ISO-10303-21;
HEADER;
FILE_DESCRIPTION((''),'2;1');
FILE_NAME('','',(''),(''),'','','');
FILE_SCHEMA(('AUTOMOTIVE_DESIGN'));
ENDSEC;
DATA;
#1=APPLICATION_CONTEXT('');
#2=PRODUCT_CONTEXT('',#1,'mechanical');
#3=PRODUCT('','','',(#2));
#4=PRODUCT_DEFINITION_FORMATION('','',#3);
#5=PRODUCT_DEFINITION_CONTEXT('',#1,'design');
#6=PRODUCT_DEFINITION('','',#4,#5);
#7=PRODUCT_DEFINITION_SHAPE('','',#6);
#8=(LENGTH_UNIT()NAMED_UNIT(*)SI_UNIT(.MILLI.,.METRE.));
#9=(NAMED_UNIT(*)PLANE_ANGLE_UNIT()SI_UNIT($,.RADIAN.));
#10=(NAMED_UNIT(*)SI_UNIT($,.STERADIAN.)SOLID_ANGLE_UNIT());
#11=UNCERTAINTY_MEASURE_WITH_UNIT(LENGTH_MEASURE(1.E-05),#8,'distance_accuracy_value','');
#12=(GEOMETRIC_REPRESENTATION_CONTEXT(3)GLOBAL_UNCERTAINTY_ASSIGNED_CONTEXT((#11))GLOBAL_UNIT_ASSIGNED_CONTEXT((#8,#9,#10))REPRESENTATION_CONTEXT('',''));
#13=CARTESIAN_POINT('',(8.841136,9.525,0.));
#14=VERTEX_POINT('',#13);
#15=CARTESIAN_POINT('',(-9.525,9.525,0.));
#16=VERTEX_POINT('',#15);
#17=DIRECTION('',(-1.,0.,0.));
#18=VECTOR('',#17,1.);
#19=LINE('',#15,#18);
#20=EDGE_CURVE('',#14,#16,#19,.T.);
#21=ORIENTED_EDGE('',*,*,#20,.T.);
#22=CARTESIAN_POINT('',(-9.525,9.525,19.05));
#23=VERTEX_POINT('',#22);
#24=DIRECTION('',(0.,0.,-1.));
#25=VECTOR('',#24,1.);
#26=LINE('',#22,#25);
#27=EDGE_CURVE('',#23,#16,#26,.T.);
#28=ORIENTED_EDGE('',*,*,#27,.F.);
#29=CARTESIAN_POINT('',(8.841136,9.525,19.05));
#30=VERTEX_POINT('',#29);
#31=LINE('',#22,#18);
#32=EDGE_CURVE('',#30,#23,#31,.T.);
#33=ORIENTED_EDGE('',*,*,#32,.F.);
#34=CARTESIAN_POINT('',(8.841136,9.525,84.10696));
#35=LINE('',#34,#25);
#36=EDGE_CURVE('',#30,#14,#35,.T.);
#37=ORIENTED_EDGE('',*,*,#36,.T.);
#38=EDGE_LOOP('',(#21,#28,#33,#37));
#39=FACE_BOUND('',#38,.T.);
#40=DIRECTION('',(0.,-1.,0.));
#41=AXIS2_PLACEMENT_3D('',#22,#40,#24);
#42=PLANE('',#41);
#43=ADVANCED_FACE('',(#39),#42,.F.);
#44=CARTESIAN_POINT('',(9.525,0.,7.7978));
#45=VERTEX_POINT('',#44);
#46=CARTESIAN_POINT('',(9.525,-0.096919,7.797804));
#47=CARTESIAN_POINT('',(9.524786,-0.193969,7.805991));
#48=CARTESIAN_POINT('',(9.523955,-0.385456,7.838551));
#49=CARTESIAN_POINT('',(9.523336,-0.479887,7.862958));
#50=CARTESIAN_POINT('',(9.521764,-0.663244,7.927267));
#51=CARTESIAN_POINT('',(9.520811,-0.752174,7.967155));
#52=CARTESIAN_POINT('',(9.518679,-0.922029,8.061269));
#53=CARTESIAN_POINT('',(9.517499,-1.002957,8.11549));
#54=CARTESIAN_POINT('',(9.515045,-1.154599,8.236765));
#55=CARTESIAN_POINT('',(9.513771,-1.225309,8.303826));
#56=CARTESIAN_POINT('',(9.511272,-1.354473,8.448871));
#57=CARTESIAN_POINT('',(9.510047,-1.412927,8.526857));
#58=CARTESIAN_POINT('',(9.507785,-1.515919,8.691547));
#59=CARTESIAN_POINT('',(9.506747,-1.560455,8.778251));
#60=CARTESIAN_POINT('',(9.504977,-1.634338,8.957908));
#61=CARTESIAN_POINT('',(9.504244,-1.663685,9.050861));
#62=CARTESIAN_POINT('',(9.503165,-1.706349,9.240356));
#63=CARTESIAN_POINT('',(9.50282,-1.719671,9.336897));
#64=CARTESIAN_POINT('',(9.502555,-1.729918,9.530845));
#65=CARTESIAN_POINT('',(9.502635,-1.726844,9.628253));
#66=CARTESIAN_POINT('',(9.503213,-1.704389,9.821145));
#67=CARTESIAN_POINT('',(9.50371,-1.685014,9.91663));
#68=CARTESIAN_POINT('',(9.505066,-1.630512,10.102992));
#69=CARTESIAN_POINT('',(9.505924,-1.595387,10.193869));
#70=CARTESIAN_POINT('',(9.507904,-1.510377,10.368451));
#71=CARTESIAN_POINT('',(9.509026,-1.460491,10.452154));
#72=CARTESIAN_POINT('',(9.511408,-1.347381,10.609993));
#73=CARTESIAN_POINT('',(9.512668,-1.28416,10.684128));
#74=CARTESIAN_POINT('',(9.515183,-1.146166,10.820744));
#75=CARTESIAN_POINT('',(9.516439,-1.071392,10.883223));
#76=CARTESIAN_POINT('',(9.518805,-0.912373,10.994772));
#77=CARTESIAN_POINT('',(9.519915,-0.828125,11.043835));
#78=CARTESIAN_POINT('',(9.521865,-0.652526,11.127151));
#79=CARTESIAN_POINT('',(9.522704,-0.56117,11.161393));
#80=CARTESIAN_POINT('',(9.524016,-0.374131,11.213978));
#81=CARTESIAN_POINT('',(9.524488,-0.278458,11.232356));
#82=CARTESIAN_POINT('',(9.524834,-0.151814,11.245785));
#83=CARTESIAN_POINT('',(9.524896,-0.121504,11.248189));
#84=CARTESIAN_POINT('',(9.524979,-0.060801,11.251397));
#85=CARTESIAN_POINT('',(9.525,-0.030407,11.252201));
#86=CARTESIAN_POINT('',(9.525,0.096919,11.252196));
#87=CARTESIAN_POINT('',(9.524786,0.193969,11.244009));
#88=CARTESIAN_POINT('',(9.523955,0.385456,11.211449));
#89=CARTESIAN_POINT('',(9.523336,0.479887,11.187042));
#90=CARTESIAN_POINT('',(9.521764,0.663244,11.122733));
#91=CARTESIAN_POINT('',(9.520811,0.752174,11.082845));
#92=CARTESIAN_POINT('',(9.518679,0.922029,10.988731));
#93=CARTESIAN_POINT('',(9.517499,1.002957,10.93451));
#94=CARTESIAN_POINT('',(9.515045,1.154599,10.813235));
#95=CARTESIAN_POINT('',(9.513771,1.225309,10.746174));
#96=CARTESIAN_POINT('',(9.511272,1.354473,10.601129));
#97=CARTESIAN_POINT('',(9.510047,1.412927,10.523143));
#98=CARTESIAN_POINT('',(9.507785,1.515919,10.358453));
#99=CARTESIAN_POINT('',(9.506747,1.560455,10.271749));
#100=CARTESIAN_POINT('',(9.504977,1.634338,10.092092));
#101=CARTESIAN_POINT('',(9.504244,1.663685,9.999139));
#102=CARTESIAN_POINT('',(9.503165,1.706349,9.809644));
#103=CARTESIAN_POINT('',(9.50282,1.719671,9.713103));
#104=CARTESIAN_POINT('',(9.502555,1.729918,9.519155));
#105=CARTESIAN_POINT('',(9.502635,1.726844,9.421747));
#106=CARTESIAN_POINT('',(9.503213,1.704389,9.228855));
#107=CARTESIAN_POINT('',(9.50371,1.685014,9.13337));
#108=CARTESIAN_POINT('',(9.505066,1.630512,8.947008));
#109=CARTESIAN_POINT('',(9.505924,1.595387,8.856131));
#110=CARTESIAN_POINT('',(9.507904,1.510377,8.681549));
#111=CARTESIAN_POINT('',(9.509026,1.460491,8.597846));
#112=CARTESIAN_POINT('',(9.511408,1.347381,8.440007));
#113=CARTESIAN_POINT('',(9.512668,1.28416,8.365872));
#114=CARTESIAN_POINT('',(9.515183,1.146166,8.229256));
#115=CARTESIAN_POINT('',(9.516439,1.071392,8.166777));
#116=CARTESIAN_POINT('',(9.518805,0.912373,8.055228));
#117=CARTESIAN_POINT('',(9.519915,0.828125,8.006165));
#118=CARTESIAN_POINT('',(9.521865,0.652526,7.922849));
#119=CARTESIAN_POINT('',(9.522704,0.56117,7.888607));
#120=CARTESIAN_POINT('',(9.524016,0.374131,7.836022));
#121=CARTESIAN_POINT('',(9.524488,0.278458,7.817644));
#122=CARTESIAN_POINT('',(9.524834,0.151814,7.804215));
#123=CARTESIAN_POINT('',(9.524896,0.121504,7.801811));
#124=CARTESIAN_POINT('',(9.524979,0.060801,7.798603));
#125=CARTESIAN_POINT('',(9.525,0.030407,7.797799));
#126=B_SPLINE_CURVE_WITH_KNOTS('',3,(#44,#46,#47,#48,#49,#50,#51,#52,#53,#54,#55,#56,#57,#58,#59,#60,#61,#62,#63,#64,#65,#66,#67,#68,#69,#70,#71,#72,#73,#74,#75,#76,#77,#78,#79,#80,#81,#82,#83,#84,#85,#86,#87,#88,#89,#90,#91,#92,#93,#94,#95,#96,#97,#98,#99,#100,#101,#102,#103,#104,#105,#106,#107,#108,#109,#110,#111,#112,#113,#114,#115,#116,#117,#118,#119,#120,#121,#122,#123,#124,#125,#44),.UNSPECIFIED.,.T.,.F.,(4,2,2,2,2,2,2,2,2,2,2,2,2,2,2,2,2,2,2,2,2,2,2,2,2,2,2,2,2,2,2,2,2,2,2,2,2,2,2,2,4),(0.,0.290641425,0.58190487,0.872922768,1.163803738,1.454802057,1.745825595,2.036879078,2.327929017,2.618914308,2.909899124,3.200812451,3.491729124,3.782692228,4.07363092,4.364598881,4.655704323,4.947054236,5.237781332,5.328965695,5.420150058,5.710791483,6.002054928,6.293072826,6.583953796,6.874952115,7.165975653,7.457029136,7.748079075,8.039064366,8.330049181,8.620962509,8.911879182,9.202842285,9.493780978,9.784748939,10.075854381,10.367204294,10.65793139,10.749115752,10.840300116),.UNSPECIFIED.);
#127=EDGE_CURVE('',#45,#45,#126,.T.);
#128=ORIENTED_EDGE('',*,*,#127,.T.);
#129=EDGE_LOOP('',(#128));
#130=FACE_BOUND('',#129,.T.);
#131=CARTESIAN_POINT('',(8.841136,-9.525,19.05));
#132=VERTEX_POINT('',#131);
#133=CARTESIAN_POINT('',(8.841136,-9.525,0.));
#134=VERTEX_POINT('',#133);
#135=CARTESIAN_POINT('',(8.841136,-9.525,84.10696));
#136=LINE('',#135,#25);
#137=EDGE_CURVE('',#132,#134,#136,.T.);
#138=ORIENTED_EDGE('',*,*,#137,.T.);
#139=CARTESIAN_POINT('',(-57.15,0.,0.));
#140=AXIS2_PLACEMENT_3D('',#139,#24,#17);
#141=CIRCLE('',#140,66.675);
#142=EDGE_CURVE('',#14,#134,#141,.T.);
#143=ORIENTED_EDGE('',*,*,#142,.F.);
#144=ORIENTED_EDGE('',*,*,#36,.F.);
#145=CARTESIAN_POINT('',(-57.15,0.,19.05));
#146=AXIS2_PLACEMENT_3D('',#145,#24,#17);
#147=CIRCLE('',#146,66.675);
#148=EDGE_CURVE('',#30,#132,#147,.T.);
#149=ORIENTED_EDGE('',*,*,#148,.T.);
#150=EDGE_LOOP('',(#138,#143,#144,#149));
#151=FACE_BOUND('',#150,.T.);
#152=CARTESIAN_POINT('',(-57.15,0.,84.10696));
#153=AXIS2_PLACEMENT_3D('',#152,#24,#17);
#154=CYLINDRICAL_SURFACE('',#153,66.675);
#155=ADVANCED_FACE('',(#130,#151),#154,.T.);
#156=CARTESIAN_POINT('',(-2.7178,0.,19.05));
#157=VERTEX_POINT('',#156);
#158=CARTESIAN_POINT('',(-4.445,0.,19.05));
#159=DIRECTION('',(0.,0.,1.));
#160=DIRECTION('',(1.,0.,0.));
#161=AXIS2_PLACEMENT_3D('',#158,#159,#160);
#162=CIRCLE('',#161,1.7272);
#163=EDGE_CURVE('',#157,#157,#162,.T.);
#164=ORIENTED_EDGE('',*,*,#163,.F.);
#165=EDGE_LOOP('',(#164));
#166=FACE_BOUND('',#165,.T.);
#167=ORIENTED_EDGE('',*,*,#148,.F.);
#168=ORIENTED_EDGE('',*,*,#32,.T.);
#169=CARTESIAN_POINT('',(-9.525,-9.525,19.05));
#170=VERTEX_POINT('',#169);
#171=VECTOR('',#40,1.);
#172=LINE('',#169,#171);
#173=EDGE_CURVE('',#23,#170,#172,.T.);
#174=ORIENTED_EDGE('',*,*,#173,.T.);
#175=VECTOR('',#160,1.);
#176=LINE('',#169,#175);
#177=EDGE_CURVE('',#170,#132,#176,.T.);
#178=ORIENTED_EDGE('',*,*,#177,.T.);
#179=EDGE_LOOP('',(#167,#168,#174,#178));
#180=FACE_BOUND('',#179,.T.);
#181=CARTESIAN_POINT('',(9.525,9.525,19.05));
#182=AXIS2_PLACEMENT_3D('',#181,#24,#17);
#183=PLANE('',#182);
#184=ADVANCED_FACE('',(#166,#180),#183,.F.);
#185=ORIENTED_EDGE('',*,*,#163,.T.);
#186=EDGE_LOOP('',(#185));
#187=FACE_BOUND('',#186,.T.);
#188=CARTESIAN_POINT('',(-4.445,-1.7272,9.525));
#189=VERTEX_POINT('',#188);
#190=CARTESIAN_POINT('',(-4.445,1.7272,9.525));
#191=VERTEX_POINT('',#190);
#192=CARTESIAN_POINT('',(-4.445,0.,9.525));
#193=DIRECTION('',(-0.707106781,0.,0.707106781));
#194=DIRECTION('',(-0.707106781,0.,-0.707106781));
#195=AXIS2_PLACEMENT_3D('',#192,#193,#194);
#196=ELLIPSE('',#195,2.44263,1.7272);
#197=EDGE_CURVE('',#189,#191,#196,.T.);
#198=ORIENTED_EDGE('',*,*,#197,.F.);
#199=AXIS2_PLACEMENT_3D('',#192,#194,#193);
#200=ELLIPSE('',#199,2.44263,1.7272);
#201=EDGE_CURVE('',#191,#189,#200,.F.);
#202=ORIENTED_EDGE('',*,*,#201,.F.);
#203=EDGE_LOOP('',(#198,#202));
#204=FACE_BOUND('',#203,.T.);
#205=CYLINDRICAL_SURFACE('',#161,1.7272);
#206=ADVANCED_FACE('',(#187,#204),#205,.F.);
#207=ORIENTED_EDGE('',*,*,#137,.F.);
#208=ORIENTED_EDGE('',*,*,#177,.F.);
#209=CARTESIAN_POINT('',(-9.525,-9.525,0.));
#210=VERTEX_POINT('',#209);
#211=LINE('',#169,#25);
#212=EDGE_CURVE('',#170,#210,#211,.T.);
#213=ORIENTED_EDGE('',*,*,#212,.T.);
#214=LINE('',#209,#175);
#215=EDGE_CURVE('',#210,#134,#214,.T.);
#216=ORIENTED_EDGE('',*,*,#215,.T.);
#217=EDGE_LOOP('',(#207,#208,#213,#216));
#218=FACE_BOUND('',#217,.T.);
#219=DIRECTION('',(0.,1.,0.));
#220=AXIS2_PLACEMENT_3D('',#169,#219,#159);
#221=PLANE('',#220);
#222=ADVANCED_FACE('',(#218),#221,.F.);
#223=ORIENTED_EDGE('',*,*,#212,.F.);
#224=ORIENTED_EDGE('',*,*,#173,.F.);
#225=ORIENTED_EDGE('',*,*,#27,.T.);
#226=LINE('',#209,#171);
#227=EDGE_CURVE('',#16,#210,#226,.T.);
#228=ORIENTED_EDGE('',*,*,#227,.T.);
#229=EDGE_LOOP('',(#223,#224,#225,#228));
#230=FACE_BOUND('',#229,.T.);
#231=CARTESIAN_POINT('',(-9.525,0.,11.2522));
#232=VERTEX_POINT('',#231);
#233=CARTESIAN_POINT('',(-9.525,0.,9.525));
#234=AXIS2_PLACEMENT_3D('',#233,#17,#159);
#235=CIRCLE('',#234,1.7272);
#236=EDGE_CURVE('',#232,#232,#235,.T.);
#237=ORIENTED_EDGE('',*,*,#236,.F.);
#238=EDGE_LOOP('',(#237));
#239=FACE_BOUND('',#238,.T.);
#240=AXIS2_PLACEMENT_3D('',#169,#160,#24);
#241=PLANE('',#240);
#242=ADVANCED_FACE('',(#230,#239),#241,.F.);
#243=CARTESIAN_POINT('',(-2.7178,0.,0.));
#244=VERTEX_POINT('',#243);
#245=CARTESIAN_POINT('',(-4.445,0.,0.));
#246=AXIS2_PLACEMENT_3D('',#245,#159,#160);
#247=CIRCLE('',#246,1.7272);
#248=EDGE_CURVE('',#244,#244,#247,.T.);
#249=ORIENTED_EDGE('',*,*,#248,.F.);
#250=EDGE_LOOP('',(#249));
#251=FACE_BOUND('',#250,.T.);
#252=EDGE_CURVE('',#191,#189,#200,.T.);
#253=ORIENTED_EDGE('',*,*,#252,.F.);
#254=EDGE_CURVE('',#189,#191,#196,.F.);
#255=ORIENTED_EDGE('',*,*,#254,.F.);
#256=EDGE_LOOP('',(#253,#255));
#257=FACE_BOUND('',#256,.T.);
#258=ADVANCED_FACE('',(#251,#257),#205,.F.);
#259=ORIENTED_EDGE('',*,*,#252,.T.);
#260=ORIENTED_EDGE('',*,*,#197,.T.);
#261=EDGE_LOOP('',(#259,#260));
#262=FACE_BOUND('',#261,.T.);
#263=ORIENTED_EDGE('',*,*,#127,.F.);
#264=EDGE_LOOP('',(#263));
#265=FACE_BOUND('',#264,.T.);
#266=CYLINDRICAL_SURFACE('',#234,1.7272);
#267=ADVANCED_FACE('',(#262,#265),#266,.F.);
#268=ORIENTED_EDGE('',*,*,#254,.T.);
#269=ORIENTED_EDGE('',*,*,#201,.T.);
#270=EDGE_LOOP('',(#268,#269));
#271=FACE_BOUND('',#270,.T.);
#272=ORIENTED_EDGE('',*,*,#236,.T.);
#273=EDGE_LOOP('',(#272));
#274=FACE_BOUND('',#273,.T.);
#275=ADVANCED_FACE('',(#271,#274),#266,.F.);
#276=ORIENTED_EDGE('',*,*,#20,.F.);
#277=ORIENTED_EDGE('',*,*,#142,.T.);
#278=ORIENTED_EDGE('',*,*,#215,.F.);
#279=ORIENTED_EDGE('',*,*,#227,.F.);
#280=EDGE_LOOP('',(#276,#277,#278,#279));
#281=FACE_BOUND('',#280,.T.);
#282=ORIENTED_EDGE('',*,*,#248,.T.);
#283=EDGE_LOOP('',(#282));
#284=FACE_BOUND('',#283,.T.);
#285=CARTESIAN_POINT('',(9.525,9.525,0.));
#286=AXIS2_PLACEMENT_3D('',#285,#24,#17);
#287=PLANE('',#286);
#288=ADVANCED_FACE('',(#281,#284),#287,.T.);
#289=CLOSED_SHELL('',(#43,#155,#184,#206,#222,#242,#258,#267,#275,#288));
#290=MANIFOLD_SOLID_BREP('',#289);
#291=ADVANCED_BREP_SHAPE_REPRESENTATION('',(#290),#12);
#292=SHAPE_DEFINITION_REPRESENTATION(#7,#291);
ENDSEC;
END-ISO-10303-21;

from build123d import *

# Parameters (mm, degrees)
SKETCH1_W                   = 19.05
SKETCH1_H                   = 19.05
EXTRUDE1_DEPTH              = 19.05
F_29_0_136_DIAMETER_HOLE1_D = 3.4544
EXTRUDE2_DEPTH              = 1
EXTRUDE2_DEPTH_BACK         = 20.05
F_29_0_136_DIAMETER_HOLE3_D = 3.4544


with BuildPart() as part:
    # Sketch1 → Extrude1 (new body)
    with BuildSketch(Plane.XY):
        Rectangle(SKETCH1_W, SKETCH1_H)
    extrude(amount=EXTRUDE1_DEPTH)

    # #29 (0.136) Diameter Hole1 (through all)
    with Locations(Plane.ZY.offset(9.525)):
        with Locations((9.525, 0)):
            Hole(F_29_0_136_DIAMETER_HOLE1_D / 2)

    # Sketch7 → Extrude2 (cut, two sides)
    with BuildSketch(Plane.XY.offset(19.05)) as extrude2_sk:
        with BuildLine():
            Line((9.525, -9.525), (9.525, 0))
            ThreePointArc((9.525, 0), (9.353814185, -4.774759033), (8.841135768, -9.525))
            Line((8.841135768, -9.525), (9.525, -9.525))
        make_face()
        with BuildLine():
            ThreePointArc((8.841135768, 9.525), (9.353814185, 4.774759033), (9.525, 0))
            Line((9.525, 0), (9.525, 9.525))
            Line((9.525, 9.525), (8.841135768, 9.525))
        make_face()
    extrude(amount=EXTRUDE2_DEPTH, mode=Mode.SUBTRACT)
    extrude(extrude2_sk.sketch, amount=-EXTRUDE2_DEPTH_BACK, mode=Mode.SUBTRACT)

    # #29 (0.136) Diameter Hole3 (through all)
    with Locations(Plane(origin=(-4.445, 0, 19.05), x_dir=(1, 0, 0), z_dir=(0, 0, 1))):
        with Locations((0, 0)):
            Hole(F_29_0_136_DIAMETER_HOLE3_D / 2)


solid = part.part
